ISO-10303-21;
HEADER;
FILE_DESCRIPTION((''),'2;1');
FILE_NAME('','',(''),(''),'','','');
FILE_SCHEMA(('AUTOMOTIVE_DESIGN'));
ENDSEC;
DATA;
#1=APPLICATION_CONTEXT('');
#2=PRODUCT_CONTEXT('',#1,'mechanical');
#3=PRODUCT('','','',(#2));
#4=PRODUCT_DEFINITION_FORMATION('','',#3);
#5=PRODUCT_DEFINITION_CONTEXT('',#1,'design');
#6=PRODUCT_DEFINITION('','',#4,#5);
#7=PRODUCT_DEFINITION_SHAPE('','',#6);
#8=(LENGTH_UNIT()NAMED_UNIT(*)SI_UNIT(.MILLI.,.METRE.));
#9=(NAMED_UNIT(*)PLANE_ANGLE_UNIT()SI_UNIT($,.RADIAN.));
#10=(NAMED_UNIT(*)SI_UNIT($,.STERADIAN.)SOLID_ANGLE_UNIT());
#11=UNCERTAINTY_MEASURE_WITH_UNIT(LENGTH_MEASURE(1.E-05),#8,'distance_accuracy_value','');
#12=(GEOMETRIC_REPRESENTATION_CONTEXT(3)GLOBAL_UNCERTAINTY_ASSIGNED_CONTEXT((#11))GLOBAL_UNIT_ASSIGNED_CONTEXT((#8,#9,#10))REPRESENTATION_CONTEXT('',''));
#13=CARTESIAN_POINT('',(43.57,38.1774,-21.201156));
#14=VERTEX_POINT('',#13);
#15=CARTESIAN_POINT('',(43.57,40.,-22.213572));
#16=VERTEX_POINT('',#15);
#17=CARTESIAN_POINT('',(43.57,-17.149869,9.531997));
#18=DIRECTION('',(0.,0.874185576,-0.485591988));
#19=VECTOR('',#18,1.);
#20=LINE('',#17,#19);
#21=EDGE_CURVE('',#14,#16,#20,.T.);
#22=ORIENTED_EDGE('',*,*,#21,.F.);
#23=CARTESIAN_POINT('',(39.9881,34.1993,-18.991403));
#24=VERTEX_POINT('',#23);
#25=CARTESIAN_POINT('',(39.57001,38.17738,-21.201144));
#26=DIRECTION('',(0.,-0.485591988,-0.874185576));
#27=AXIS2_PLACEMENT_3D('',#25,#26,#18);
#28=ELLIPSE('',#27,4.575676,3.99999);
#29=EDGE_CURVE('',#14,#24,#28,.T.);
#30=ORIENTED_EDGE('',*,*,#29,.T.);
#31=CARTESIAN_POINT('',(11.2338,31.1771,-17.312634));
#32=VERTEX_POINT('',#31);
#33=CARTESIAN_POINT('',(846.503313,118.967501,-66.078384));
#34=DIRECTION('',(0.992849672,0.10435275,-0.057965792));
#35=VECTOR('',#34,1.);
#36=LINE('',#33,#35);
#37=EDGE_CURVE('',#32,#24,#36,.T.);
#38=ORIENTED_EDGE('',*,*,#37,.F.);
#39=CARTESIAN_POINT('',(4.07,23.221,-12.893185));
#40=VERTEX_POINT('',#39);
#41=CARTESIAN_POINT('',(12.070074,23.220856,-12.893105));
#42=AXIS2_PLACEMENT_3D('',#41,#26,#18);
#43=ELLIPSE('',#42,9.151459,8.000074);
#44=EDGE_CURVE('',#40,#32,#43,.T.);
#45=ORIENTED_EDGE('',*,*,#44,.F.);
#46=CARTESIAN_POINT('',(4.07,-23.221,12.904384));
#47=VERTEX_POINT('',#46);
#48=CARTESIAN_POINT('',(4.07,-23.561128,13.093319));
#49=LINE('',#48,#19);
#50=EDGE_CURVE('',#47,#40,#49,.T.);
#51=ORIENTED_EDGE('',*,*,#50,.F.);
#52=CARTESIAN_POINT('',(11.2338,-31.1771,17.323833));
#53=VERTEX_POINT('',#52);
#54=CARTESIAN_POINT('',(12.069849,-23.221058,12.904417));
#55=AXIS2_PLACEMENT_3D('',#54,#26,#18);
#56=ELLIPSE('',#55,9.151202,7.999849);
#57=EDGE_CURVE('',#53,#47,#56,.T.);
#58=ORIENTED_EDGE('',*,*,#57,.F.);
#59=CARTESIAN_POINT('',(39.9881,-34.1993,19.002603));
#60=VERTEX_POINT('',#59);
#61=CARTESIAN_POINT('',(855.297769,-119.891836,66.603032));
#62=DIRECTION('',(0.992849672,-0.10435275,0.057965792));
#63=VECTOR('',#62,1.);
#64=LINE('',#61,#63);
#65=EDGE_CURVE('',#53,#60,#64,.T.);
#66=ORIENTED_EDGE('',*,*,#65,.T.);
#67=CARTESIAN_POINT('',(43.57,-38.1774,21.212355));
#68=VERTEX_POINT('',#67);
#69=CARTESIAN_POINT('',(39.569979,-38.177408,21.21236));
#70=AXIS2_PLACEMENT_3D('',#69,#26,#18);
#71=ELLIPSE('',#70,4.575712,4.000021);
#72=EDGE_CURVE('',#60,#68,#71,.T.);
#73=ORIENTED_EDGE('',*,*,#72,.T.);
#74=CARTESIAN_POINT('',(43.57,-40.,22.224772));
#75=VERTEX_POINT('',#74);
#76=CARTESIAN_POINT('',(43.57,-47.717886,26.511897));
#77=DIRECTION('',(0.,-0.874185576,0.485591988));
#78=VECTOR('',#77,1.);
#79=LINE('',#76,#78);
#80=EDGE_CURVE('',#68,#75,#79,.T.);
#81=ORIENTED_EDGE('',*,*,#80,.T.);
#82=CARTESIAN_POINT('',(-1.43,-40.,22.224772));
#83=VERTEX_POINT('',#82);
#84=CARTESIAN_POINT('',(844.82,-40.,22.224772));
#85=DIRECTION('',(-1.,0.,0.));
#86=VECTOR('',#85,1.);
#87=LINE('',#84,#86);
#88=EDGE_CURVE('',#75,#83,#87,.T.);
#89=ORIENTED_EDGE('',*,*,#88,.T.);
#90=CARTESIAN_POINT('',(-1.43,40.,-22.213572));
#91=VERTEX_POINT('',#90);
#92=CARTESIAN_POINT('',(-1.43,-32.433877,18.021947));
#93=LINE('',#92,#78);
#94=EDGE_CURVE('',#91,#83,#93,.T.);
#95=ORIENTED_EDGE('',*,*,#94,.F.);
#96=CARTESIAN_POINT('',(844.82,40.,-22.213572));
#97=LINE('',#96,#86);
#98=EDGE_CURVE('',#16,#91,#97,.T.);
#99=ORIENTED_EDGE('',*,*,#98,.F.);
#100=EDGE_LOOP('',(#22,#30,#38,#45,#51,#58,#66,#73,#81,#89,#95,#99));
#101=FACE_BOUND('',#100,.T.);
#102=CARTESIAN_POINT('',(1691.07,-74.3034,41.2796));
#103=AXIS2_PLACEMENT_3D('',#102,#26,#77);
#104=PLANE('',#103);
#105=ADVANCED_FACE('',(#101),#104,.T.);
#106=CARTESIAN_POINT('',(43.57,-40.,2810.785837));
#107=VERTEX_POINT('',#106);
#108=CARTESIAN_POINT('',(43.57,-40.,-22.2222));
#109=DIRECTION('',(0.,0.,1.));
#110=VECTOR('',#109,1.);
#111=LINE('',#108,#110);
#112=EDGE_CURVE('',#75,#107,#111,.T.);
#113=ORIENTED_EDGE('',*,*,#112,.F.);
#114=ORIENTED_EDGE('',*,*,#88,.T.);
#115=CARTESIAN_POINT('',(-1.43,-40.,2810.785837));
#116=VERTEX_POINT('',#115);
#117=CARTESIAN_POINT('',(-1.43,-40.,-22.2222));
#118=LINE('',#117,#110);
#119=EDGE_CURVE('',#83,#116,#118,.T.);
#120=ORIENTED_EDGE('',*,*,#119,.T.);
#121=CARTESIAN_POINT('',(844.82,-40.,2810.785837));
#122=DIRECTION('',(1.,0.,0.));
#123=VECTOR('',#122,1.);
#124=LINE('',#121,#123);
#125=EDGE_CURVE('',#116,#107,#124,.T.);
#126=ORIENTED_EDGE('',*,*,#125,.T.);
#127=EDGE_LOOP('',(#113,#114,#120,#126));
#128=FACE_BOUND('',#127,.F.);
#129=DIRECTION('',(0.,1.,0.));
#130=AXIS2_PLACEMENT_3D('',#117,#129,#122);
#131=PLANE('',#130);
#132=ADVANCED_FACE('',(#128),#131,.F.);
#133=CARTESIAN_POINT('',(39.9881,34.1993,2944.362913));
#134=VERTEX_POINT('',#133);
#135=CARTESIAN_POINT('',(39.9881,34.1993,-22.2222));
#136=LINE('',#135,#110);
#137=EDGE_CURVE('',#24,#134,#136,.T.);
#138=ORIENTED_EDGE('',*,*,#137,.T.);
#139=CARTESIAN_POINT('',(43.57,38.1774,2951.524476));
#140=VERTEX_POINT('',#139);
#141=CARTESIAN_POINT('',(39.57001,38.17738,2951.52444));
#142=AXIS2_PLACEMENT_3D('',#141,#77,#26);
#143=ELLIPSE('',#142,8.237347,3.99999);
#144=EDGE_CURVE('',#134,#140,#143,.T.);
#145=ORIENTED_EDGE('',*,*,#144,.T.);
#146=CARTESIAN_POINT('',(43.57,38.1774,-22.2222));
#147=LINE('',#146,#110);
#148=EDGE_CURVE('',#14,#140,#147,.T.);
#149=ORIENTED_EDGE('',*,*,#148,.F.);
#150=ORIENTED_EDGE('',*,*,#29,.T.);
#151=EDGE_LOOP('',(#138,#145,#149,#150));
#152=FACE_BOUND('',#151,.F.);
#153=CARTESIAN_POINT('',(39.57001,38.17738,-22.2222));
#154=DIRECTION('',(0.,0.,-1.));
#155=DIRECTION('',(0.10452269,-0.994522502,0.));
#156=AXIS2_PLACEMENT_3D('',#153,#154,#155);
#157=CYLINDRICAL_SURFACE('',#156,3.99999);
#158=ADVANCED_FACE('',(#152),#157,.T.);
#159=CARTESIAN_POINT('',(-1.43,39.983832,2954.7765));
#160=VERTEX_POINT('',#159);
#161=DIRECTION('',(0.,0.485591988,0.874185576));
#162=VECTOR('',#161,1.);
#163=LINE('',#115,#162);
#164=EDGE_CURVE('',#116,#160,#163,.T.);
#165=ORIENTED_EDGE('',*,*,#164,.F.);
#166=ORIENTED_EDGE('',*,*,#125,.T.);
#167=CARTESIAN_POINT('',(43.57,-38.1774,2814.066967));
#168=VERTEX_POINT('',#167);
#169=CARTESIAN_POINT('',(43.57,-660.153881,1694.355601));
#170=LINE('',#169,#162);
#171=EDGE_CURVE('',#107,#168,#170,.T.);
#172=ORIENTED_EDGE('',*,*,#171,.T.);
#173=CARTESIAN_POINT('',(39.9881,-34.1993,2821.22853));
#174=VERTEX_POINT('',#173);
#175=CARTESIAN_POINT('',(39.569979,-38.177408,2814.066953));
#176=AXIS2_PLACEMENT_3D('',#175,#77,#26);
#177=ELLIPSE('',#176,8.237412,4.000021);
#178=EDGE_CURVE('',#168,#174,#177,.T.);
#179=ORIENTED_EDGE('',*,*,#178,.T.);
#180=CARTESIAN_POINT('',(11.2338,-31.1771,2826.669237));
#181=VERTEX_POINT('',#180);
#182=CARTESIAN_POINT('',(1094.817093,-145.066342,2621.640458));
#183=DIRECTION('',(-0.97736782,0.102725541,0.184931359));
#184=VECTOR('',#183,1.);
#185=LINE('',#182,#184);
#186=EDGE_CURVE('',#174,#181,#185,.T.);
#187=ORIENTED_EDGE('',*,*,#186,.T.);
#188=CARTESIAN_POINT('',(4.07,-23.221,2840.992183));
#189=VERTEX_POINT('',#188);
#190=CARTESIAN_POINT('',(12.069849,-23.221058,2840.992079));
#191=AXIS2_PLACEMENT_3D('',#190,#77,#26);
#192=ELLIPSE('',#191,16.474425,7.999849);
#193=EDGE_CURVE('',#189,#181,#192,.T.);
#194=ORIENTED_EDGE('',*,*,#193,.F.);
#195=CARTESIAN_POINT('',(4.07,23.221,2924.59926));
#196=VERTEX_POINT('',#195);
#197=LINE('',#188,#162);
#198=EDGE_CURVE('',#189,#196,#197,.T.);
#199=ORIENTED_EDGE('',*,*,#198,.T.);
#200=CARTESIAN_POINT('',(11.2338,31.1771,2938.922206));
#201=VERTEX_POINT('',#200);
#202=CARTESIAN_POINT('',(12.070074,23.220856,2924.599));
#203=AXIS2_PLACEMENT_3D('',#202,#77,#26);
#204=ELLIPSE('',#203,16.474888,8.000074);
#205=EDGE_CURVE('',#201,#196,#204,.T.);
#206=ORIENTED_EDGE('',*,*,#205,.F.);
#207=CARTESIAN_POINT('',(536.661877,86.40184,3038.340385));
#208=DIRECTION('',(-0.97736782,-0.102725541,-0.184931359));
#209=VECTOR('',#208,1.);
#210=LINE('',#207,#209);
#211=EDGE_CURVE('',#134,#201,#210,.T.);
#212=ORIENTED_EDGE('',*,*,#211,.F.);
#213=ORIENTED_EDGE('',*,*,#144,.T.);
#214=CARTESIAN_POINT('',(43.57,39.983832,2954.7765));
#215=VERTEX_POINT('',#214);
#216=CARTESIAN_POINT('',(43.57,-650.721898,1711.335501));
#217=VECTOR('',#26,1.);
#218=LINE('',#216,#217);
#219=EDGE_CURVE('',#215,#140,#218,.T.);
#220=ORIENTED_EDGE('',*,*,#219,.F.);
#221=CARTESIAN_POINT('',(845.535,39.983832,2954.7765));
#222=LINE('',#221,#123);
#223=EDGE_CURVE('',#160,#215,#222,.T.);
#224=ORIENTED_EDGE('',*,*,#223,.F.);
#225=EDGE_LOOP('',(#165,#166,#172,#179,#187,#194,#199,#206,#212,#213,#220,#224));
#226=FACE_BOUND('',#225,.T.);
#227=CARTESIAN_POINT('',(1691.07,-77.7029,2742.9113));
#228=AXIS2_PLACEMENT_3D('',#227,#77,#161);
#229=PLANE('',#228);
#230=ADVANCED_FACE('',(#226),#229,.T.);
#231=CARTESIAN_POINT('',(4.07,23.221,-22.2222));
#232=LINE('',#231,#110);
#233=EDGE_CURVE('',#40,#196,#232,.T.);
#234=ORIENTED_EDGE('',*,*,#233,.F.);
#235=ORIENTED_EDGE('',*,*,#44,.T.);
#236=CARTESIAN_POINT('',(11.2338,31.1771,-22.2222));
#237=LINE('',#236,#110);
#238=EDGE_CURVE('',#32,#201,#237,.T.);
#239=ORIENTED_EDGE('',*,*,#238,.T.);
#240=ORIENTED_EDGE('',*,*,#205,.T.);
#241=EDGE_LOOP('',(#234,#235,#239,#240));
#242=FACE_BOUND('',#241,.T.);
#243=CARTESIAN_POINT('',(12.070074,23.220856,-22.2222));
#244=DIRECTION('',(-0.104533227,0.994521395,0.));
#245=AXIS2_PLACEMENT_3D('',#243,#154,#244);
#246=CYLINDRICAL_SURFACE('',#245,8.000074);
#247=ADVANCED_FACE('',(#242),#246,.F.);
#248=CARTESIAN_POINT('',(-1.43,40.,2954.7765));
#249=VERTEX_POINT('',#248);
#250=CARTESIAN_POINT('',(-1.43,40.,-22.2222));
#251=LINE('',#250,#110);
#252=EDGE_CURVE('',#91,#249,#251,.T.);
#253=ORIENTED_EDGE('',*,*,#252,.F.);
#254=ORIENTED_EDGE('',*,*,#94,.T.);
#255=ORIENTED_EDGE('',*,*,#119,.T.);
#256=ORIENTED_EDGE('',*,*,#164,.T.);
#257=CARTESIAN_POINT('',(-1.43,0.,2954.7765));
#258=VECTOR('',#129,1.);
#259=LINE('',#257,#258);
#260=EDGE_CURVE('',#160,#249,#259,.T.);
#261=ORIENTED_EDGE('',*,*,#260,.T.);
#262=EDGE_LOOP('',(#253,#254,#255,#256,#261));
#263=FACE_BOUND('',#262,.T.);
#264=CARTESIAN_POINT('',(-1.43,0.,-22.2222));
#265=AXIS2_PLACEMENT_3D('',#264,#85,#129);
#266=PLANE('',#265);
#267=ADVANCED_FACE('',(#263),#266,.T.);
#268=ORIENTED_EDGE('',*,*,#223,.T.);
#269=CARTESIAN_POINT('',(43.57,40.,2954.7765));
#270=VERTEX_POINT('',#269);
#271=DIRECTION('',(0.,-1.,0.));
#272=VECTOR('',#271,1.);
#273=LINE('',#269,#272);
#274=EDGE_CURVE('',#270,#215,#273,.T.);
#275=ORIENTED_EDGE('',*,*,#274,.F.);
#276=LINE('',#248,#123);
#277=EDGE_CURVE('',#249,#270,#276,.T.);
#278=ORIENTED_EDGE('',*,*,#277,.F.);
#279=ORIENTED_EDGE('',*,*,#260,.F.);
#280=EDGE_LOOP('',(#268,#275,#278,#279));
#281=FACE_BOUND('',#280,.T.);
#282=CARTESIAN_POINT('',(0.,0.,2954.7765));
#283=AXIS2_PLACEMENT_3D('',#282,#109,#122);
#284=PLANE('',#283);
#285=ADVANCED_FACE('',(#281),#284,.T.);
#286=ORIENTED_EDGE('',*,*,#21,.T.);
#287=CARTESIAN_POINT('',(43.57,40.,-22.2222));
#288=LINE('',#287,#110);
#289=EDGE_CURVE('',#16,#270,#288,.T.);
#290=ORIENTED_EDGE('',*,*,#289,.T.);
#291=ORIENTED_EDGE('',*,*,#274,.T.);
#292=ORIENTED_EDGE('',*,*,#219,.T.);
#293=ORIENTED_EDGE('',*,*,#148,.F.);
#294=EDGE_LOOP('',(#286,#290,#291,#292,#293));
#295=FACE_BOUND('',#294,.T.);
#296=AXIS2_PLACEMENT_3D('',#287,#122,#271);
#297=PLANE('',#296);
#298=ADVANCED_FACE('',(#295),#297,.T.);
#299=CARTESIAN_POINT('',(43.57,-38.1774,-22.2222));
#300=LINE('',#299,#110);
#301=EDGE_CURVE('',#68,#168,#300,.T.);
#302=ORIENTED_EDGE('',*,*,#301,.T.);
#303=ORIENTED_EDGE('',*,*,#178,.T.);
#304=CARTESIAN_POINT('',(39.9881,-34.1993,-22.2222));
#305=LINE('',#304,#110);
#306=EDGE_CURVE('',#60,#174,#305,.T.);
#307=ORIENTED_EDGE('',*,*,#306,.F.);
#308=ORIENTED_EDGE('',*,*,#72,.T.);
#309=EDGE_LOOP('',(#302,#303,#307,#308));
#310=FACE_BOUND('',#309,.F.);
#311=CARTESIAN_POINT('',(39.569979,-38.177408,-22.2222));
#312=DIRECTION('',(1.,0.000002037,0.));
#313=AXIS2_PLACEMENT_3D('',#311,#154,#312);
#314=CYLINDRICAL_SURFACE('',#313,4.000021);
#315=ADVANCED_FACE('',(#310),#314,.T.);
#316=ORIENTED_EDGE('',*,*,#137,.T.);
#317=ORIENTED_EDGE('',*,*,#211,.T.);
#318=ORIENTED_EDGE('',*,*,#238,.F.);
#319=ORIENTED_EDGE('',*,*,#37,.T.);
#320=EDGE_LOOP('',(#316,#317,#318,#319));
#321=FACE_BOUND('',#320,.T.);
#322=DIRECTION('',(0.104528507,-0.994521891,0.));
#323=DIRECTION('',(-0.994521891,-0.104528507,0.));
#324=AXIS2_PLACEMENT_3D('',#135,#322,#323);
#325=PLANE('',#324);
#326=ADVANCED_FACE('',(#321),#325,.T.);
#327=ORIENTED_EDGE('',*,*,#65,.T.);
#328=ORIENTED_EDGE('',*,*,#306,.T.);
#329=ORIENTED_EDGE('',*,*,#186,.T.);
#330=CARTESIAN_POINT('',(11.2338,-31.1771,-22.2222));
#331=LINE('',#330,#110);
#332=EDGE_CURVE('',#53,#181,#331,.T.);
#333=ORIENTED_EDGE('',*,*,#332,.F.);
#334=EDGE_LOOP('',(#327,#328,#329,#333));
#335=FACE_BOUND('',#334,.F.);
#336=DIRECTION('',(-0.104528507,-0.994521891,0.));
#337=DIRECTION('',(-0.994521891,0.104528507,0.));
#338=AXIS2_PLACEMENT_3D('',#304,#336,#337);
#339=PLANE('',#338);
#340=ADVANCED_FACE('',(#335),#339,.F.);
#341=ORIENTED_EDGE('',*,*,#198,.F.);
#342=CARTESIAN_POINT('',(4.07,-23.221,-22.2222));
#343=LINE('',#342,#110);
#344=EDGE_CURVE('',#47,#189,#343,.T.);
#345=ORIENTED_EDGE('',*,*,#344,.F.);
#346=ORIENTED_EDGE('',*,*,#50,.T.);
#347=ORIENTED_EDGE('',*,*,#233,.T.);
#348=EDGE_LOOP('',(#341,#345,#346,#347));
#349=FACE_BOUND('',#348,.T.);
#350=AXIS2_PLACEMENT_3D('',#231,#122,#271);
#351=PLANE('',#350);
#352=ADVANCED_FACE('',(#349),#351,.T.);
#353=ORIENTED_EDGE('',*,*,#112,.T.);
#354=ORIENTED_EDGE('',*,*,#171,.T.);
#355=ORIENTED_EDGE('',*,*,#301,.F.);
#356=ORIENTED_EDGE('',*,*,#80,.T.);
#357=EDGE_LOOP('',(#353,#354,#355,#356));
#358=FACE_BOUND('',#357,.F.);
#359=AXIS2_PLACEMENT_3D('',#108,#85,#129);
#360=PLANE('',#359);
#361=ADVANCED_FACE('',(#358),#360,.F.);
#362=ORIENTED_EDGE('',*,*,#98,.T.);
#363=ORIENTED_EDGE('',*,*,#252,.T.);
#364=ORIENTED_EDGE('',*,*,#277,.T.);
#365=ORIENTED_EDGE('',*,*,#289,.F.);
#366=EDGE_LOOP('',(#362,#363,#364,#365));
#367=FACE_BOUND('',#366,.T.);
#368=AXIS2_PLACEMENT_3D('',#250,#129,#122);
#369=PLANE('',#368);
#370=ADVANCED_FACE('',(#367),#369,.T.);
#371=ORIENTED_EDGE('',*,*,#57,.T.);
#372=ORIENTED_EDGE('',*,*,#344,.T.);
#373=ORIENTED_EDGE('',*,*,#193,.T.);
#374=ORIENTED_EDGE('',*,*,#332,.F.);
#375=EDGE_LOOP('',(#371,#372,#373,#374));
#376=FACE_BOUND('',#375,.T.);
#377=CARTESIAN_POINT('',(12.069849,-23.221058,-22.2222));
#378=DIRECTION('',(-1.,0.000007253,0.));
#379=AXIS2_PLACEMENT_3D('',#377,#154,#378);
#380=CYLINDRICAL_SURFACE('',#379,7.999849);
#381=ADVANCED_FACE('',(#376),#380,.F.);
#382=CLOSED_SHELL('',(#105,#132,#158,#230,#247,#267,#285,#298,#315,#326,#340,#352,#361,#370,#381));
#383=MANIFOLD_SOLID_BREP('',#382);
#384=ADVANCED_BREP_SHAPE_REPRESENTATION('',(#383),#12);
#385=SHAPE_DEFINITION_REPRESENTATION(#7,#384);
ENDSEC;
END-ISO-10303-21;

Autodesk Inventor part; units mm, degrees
ref_plane "Начальная плоскость" through (0, 0, -22.2222) normal (0, 0, 1) x (1, 0, 0)
ref_plane "Конечная плоскость" through (0, 0, 2954.7764) normal (0, 0, 1) x (1, 0, 0)
sketch "Эскиз" plane through (0, 0, 0) normal (0, 0, 1) x (1, 0, 0)
  line L0 (-1.43, 0) -> (-1.43, 40)
  line L1 (-1.43, 40) -> (43.57, 40)
  line L2 (43.57, 40) -> (43.57, 38.1774)
  line L3 (39.9881, 34.1993) -> (11.2338, 31.1771)
  line L4 (4.07, 23.221) -> (4.07, 0)
  line L5 (4.07, 0) -> (-1.43, 0) construction
  line L6 (23.82, 40) -> (23.82, 32.5) construction
  line L7 (43.57, 34.5758) -> (43.57, 32.5) construction
  line L8 (43.57, 32.5) -> (23.82, 32.5) construction
  line L9 (0, 15) -> (0, -27) construction
  line L10 (-5.539, 0) -> (16.0067, 0) construction
  line L11 (-1.43, 0) -> (-1.43, -40)
  line L12 (-1.43, -40) -> (43.57, -40)
  line L13 (43.57, -40) -> (43.57, -38.1774)
  line L14 (39.9881, -34.1993) -> (11.2338, -31.1771)
  line L15 (4.07, -23.221) -> (4.07, 0)
  arc A0 (11.2338, 31.1771) -> (4.07, 23.221) centre (12.07, 23.221) ccw
  arc A1 (4.07, -23.221) -> (11.2338, -31.1771) centre (12.07, -23.221) ccw
  arc A2 (39.9881, 34.1993) -> (43.57, 38.1774) centre (39.57, 38.1774) ccw
  arc A3 (43.57, -38.1774) -> (39.9881, -34.1993) centre (39.57, -38.1774) ccw
  line L16 (0, 56) -> (0, -56) construction
  line L17 (-15.5135, 0) -> (54.308, 0) construction
  point P0 (4.07, 30.4242)
  point P1 (43.57, -34.5758)
  point P2 (4.07, -30.4242)
  point P3 (23.82, -40)
  point P4 (23.82, -32.5)
  dimension "d0" = 5.5
  dimension "d1" = 40
  dimension "d2" = 45
  dimension "d3" = 7.5
  dimension "d4" = 19.75
  dimension "d5" = 2.0758
  dimension "d23" = 8
  dimension "d24" = 4
  dimension "d25" = 1.43
extrude "Тело" add sketch "Эскиз" along normal up to surface (2976.9987 mm away) from surface at -22.2222
sketch "Sketch3" plane through (0, 0, 0) normal (0, 0, 1) x (1, 0, 0)
  line L0 (0, 0) -> (10, 0)
ref_plane "Work Plane3" through (0, 0, 0) normal (0, -1, 0) x (1, 0, 0)
sketch "Sketch4" plane through (0, 0, 0) normal (0, -1, 0) x (1, 0, 0)
  line L0 (-2, -22.2222) -> (12, -22.2222)
  line L1 (-2, 2954.7764) -> (12, 2954.7764)
  dimension "d29" = 2976.9987
ref_plane "РабПлоскость4" through (1691.07, -77.7029, 2742.9113) normal (0, -0.8742, 0.4856) x (1, 0, 0)
split "Разделение1" plane through (1691.07, -77.7029, 2742.9113) removes the side toward (0, -0.8742, 0.4856)
ref_plane "РабПлоскость5" through (1691.07, -74.3034, 41.2796) normal (0, -0.4856, -0.8742) x (1, 0, 0)
split "Разделение2" plane through (1691.07, -74.3034, 41.2796) removes the side toward (0, -0.4856, -0.8742)
equation "\"d0\" = G_T"
equation "\"d1\" = 0.5 * G_H"
equation "\"d2\" = G_W"
equation "\"d3\" = G_T1"
equation "\"d4\" = G_C"
equation "\"d23\" = G_IR"
equation "\"d24\" = G_ER"
equation "\"d25\" = ex"
equation "\"d6\" = G_L"
equation "\"G_W\" = 45"
equation "\"G_T\" = 5.5"
equation "\"G_T1\" = 7.5"
equation "\"G_NG\" = 0.105104"
equation "\"G_ER\" = 4"
equation "\"G_IR\" = 8"
equation "\"G_C\" = 19.75"
equation "\"G_L\" = d29"
equation "\"ex\" = 1.43"
equation "\"G_OFFSET_START\" = 22.22222"
equation "\"G_OFFSET_END\" = 72"
equation "\"d26\" = -G_OFFSET_START"
equation "\"d27\" = G_OFFSET_END + B_L"
equation "\"B_L\" = 2882.77644"
equation "\"G_H\" = 80"
properties part number "ISO 657/11 - CH 80 x 8 - 2977" material "Сталь, мягкая"
